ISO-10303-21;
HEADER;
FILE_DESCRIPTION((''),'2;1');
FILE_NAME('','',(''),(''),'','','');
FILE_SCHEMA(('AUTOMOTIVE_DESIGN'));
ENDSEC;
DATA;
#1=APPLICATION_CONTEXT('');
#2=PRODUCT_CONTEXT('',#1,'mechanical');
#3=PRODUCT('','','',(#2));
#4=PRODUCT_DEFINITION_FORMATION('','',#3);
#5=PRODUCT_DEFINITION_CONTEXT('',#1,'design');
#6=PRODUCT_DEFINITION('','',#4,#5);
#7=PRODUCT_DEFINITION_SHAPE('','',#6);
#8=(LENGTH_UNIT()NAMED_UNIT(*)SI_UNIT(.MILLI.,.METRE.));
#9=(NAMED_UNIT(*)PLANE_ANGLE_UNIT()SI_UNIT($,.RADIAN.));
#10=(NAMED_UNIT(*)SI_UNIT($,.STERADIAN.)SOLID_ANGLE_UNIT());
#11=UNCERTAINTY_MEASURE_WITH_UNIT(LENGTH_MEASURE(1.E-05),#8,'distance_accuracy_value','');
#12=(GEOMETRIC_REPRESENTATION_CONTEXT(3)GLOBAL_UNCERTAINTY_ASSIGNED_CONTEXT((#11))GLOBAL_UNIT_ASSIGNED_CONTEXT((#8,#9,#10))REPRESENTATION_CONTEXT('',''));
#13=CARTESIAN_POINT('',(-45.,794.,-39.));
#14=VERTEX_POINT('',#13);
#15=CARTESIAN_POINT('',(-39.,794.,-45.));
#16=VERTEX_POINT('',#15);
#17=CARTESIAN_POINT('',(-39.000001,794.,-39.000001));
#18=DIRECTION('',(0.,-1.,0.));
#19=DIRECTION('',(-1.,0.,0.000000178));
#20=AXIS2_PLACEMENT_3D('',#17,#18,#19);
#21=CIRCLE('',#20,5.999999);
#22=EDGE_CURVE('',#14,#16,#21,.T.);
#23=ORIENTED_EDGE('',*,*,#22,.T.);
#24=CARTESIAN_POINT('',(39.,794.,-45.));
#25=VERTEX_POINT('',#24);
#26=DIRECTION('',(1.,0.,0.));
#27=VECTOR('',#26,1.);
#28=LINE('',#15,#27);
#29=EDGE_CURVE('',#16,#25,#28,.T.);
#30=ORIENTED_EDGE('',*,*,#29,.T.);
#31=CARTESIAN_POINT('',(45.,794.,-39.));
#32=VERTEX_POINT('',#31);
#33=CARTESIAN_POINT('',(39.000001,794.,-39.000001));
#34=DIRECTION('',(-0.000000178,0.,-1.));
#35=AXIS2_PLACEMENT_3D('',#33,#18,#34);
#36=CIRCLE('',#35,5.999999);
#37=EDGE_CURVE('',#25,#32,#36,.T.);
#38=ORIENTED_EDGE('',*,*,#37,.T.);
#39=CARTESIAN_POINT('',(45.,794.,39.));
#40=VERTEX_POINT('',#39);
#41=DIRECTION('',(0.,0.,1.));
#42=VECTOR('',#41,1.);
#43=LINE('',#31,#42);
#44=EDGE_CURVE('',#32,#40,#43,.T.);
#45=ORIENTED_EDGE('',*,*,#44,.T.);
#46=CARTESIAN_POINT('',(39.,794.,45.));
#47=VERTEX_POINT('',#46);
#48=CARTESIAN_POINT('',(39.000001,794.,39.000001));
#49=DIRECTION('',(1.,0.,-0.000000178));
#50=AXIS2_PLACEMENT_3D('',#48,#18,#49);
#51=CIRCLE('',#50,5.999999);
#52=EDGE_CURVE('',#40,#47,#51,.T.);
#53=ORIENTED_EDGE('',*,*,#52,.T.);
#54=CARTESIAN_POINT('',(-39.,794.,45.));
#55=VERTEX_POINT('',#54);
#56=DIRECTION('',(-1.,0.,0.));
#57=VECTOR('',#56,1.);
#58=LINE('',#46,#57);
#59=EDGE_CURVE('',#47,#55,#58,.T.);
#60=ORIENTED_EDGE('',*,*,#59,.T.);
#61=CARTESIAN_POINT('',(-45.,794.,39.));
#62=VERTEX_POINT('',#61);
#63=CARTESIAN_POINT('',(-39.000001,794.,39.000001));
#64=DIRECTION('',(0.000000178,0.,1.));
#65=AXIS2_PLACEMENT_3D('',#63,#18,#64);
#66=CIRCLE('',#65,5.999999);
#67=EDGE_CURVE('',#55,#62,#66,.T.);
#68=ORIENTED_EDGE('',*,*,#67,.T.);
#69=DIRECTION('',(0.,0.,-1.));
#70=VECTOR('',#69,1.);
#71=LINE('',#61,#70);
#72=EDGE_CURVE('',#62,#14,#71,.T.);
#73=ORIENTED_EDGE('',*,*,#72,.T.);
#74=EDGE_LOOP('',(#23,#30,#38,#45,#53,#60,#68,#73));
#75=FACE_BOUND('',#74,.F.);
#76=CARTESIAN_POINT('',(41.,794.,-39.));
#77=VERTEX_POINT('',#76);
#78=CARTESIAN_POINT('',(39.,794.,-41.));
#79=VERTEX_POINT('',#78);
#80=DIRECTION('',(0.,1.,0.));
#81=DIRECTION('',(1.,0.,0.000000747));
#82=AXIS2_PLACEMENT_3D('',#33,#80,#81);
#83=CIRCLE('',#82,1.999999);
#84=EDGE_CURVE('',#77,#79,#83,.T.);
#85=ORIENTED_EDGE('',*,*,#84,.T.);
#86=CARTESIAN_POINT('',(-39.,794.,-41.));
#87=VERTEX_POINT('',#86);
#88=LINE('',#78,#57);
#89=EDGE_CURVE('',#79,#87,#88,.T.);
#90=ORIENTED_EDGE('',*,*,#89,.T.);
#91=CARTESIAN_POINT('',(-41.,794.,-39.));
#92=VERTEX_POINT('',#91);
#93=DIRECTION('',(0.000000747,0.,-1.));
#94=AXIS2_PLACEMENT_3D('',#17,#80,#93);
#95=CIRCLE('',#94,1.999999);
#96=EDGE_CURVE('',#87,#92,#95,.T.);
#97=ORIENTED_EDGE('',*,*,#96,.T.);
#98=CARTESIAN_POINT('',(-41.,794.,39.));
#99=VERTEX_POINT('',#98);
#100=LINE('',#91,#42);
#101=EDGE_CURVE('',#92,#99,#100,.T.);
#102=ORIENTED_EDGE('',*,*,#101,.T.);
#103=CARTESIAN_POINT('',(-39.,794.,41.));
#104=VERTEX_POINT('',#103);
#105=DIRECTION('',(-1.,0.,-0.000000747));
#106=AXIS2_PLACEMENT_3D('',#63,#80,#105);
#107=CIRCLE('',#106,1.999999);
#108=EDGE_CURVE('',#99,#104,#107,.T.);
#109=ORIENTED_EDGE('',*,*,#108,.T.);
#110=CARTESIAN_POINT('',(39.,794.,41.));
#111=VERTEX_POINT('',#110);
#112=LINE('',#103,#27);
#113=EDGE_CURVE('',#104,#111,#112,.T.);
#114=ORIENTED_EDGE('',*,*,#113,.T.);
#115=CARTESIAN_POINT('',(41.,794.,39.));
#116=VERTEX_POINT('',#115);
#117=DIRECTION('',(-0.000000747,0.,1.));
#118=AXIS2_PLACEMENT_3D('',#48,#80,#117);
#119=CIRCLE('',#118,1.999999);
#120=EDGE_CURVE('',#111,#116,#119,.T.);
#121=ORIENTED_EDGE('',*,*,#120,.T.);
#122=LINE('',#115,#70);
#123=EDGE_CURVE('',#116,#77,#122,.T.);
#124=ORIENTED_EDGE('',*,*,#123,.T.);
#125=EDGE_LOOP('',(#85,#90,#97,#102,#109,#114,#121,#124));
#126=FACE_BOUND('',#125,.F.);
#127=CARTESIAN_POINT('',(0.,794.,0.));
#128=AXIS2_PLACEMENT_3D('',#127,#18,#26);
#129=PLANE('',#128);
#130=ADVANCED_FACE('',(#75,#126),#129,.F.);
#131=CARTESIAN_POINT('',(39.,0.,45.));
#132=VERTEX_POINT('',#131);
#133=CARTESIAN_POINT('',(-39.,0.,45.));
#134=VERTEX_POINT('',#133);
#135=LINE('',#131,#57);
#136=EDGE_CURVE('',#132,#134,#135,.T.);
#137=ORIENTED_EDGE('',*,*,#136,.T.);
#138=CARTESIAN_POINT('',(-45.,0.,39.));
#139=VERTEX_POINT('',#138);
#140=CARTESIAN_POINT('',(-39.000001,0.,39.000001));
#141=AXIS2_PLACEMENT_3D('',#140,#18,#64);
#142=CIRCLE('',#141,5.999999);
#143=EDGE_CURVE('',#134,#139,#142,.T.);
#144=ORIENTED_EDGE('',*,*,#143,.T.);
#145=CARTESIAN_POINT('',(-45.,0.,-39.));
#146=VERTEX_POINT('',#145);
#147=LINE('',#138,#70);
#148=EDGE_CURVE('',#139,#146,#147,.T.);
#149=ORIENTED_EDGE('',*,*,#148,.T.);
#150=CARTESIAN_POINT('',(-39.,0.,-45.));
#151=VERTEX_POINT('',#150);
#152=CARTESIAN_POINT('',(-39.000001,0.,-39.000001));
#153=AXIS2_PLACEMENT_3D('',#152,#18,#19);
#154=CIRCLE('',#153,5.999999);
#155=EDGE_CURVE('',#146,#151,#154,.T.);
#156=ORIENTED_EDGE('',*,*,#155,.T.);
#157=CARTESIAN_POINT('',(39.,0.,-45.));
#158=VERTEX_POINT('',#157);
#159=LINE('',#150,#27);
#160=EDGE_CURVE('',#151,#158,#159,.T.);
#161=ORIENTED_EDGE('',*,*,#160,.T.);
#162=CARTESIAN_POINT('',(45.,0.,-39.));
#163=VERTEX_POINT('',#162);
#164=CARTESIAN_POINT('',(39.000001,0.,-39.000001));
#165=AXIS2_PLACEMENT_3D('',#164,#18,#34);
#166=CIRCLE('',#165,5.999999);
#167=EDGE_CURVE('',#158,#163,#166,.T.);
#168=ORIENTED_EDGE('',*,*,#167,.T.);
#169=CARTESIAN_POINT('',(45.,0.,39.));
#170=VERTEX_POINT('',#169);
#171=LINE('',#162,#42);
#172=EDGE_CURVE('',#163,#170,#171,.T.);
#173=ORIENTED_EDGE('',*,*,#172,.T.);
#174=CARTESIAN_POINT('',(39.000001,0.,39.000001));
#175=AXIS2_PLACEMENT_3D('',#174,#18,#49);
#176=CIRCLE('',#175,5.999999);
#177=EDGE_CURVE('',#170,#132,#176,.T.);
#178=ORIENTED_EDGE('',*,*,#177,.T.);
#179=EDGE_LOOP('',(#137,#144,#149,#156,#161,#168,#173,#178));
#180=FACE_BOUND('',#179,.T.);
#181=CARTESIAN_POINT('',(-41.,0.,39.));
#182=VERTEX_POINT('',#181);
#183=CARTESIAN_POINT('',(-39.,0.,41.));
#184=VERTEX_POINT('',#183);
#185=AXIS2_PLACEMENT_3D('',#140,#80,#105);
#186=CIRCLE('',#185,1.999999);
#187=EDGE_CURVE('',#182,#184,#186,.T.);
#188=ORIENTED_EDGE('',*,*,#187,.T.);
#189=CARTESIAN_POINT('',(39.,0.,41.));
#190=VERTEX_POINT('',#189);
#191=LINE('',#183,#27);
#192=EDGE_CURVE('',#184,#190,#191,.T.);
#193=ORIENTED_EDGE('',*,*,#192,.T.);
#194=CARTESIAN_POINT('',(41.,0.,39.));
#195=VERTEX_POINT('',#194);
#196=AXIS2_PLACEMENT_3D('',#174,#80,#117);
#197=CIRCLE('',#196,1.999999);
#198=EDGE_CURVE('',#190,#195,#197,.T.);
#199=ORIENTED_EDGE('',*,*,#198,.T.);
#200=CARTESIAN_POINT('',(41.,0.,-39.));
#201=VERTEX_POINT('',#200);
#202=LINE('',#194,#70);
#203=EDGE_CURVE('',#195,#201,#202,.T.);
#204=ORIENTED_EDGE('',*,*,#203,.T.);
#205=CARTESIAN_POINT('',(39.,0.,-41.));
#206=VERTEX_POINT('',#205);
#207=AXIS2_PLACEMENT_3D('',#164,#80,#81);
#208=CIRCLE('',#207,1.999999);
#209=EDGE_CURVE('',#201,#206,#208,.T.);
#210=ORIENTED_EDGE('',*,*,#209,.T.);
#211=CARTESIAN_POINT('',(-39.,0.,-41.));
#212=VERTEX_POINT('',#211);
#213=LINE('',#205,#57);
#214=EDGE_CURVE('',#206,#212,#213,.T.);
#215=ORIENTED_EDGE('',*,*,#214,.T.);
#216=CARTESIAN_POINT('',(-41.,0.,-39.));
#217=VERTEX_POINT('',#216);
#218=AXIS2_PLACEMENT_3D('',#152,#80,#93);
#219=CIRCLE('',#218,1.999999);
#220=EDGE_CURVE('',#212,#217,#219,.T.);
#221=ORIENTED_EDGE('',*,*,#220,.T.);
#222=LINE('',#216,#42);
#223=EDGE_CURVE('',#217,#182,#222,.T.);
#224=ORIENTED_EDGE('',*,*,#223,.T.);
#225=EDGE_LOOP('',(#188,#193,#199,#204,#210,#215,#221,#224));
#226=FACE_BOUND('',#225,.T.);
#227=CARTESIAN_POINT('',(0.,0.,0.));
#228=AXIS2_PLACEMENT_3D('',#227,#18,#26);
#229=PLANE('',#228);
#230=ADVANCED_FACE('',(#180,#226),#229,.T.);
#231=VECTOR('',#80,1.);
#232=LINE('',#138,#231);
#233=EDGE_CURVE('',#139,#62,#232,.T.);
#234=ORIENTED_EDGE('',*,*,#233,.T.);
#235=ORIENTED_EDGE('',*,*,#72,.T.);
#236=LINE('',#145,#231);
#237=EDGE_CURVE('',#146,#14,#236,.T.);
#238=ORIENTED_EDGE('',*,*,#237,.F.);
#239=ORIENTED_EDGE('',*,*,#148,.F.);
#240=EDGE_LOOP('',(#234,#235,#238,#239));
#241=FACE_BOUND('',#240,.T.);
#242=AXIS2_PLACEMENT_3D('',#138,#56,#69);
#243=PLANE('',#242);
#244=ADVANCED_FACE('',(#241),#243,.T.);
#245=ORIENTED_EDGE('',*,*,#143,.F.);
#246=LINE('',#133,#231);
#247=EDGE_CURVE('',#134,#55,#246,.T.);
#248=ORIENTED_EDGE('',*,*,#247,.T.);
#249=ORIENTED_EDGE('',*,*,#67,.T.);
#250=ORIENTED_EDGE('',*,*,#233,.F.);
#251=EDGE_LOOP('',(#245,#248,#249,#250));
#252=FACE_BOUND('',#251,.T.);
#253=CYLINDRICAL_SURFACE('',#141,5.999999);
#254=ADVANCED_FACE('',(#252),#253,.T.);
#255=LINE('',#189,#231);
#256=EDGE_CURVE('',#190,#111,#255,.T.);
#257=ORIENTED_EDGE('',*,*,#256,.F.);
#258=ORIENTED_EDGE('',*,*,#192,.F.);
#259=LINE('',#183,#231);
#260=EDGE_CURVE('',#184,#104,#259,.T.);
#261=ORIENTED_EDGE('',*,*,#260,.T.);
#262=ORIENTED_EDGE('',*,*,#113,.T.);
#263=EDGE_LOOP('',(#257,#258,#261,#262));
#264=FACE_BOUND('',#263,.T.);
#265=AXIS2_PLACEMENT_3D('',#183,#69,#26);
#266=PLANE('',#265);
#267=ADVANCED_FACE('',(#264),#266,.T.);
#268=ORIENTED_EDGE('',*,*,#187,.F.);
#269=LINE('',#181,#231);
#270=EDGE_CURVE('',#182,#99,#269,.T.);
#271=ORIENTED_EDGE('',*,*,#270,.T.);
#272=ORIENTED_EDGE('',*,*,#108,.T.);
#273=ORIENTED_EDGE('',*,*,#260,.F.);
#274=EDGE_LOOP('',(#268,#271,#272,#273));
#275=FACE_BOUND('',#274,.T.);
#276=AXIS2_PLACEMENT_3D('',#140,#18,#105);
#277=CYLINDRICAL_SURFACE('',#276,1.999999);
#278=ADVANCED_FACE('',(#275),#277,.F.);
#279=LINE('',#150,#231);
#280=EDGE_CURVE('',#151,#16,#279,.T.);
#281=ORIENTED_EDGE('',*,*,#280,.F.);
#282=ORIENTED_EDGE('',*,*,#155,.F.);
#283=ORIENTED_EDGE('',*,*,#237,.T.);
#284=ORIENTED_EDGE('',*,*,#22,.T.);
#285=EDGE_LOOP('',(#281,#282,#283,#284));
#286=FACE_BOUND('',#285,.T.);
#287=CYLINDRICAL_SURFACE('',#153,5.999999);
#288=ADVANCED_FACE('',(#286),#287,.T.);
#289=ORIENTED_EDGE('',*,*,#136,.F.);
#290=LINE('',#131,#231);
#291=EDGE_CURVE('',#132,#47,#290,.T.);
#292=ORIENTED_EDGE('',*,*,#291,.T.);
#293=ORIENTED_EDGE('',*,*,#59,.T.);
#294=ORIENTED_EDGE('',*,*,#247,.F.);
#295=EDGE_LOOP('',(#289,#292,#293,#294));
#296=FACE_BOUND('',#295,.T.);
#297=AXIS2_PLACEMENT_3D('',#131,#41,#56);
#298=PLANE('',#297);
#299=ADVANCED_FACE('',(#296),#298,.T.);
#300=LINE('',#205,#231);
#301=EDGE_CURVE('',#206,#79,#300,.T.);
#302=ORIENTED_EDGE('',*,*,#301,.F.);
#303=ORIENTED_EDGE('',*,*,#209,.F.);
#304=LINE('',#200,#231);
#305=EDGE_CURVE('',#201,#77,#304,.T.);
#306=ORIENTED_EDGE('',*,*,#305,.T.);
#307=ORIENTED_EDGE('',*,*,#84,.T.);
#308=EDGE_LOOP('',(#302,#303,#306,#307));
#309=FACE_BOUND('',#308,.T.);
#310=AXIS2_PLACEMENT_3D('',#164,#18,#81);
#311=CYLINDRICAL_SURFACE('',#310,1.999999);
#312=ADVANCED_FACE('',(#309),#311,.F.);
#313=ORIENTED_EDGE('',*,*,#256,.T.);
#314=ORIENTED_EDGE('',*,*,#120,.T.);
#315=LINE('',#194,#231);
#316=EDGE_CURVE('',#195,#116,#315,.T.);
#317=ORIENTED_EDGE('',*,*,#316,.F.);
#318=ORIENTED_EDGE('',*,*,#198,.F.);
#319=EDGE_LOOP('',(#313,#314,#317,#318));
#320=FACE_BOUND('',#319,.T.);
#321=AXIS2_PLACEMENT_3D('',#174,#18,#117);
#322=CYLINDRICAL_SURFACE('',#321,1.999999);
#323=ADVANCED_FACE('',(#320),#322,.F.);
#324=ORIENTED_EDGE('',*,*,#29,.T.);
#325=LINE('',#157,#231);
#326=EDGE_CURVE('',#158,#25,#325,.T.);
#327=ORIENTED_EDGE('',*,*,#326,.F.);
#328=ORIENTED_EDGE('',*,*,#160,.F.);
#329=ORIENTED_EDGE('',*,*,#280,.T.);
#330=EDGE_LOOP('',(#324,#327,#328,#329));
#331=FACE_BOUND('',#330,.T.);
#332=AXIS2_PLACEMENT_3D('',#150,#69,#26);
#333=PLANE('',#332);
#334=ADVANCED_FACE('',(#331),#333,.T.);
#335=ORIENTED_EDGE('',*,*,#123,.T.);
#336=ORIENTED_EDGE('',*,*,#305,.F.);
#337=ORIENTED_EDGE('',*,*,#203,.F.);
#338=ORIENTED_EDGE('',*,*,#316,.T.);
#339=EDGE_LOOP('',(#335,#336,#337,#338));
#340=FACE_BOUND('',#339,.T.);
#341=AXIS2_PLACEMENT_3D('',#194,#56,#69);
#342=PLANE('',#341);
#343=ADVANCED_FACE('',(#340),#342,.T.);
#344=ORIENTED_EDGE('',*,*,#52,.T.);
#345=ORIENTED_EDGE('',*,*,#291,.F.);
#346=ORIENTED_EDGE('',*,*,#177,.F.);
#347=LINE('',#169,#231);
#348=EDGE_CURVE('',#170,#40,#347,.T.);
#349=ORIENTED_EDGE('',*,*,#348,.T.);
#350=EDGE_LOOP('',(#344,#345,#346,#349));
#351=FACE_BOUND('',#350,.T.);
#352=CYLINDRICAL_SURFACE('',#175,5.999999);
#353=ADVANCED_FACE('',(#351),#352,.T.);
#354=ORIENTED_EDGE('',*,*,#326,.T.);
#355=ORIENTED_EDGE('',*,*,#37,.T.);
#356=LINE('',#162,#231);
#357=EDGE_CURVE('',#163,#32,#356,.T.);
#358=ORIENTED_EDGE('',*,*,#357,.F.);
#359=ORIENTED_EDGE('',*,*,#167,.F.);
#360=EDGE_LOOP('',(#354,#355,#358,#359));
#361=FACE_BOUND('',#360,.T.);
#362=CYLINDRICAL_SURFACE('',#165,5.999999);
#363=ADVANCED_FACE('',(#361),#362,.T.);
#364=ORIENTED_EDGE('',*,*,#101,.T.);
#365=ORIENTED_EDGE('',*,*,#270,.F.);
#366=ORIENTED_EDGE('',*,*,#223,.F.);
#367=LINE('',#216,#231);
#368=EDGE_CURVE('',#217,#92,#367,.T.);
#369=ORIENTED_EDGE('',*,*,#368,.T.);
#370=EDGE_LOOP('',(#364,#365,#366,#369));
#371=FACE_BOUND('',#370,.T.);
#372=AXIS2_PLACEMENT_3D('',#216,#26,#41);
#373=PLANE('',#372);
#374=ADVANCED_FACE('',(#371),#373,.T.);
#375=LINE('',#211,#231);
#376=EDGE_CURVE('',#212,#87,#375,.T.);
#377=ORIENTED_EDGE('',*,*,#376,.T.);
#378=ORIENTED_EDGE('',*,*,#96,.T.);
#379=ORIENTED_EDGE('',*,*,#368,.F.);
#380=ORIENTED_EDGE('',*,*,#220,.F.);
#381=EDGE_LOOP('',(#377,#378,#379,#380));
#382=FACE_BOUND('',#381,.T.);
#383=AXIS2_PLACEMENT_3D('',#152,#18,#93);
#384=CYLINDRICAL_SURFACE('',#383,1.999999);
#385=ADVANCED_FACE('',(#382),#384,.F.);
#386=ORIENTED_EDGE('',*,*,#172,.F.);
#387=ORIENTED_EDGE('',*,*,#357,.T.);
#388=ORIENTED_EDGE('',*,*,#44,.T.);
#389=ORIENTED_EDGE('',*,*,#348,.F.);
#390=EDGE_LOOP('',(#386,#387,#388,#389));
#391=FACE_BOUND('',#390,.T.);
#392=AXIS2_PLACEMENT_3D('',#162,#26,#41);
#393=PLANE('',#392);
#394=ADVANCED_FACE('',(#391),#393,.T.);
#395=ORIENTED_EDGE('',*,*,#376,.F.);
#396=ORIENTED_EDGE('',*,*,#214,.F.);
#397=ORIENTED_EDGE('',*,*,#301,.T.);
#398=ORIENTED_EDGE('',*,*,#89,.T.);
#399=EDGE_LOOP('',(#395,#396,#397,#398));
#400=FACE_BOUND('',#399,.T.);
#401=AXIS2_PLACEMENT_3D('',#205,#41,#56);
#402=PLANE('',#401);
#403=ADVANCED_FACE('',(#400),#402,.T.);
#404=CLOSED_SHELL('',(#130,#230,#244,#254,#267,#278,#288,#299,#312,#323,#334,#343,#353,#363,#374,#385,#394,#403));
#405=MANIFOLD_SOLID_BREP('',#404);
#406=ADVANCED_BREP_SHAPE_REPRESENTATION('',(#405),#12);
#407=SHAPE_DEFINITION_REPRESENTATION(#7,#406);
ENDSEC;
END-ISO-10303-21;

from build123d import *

# Parameters (mm, degrees)
F1_DEPTH = 794


with BuildPart() as f1:
    # F0 (on Front) → F1 (new body)
    with BuildSketch(Plane.XZ):
        with BuildLine():
            ThreePointArc((45, 39), (43.242641, 43.242641), (39, 45))
            Line((39, 45), (-39, 45))
            ThreePointArc((-39, 45), (-43.242641, 43.242641), (-45, 39))
            Line((-45, 39), (-45, -39))
            ThreePointArc((-45, -39), (-43.242641, -43.242641), (-39, -45))
            Line((-39, -45), (39, -45))
            ThreePointArc((39, -45), (43.242641, -43.242641), (45, -39))
            Line((45, -39), (45, 39))
        make_face()
        with BuildLine():
            ThreePointArc((-41, 39), (-40.414214, 40.414214), (-39, 41))
            Line((-39, 41), (39, 41))
            ThreePointArc((39, 41), (40.414214, 40.414214), (41, 39))
            Line((41, 39), (41, -39))
            ThreePointArc((41, -39), (40.414214, -40.414214), (39, -41))
            Line((39, -41), (-39, -41))
            ThreePointArc((-39, -41), (-40.414214, -40.414214), (-41, -39))
            Line((-41, -39), (-41, 39))
        make_face(mode=Mode.SUBTRACT)
    extrude(amount=-F1_DEPTH)


solid = f1.part
